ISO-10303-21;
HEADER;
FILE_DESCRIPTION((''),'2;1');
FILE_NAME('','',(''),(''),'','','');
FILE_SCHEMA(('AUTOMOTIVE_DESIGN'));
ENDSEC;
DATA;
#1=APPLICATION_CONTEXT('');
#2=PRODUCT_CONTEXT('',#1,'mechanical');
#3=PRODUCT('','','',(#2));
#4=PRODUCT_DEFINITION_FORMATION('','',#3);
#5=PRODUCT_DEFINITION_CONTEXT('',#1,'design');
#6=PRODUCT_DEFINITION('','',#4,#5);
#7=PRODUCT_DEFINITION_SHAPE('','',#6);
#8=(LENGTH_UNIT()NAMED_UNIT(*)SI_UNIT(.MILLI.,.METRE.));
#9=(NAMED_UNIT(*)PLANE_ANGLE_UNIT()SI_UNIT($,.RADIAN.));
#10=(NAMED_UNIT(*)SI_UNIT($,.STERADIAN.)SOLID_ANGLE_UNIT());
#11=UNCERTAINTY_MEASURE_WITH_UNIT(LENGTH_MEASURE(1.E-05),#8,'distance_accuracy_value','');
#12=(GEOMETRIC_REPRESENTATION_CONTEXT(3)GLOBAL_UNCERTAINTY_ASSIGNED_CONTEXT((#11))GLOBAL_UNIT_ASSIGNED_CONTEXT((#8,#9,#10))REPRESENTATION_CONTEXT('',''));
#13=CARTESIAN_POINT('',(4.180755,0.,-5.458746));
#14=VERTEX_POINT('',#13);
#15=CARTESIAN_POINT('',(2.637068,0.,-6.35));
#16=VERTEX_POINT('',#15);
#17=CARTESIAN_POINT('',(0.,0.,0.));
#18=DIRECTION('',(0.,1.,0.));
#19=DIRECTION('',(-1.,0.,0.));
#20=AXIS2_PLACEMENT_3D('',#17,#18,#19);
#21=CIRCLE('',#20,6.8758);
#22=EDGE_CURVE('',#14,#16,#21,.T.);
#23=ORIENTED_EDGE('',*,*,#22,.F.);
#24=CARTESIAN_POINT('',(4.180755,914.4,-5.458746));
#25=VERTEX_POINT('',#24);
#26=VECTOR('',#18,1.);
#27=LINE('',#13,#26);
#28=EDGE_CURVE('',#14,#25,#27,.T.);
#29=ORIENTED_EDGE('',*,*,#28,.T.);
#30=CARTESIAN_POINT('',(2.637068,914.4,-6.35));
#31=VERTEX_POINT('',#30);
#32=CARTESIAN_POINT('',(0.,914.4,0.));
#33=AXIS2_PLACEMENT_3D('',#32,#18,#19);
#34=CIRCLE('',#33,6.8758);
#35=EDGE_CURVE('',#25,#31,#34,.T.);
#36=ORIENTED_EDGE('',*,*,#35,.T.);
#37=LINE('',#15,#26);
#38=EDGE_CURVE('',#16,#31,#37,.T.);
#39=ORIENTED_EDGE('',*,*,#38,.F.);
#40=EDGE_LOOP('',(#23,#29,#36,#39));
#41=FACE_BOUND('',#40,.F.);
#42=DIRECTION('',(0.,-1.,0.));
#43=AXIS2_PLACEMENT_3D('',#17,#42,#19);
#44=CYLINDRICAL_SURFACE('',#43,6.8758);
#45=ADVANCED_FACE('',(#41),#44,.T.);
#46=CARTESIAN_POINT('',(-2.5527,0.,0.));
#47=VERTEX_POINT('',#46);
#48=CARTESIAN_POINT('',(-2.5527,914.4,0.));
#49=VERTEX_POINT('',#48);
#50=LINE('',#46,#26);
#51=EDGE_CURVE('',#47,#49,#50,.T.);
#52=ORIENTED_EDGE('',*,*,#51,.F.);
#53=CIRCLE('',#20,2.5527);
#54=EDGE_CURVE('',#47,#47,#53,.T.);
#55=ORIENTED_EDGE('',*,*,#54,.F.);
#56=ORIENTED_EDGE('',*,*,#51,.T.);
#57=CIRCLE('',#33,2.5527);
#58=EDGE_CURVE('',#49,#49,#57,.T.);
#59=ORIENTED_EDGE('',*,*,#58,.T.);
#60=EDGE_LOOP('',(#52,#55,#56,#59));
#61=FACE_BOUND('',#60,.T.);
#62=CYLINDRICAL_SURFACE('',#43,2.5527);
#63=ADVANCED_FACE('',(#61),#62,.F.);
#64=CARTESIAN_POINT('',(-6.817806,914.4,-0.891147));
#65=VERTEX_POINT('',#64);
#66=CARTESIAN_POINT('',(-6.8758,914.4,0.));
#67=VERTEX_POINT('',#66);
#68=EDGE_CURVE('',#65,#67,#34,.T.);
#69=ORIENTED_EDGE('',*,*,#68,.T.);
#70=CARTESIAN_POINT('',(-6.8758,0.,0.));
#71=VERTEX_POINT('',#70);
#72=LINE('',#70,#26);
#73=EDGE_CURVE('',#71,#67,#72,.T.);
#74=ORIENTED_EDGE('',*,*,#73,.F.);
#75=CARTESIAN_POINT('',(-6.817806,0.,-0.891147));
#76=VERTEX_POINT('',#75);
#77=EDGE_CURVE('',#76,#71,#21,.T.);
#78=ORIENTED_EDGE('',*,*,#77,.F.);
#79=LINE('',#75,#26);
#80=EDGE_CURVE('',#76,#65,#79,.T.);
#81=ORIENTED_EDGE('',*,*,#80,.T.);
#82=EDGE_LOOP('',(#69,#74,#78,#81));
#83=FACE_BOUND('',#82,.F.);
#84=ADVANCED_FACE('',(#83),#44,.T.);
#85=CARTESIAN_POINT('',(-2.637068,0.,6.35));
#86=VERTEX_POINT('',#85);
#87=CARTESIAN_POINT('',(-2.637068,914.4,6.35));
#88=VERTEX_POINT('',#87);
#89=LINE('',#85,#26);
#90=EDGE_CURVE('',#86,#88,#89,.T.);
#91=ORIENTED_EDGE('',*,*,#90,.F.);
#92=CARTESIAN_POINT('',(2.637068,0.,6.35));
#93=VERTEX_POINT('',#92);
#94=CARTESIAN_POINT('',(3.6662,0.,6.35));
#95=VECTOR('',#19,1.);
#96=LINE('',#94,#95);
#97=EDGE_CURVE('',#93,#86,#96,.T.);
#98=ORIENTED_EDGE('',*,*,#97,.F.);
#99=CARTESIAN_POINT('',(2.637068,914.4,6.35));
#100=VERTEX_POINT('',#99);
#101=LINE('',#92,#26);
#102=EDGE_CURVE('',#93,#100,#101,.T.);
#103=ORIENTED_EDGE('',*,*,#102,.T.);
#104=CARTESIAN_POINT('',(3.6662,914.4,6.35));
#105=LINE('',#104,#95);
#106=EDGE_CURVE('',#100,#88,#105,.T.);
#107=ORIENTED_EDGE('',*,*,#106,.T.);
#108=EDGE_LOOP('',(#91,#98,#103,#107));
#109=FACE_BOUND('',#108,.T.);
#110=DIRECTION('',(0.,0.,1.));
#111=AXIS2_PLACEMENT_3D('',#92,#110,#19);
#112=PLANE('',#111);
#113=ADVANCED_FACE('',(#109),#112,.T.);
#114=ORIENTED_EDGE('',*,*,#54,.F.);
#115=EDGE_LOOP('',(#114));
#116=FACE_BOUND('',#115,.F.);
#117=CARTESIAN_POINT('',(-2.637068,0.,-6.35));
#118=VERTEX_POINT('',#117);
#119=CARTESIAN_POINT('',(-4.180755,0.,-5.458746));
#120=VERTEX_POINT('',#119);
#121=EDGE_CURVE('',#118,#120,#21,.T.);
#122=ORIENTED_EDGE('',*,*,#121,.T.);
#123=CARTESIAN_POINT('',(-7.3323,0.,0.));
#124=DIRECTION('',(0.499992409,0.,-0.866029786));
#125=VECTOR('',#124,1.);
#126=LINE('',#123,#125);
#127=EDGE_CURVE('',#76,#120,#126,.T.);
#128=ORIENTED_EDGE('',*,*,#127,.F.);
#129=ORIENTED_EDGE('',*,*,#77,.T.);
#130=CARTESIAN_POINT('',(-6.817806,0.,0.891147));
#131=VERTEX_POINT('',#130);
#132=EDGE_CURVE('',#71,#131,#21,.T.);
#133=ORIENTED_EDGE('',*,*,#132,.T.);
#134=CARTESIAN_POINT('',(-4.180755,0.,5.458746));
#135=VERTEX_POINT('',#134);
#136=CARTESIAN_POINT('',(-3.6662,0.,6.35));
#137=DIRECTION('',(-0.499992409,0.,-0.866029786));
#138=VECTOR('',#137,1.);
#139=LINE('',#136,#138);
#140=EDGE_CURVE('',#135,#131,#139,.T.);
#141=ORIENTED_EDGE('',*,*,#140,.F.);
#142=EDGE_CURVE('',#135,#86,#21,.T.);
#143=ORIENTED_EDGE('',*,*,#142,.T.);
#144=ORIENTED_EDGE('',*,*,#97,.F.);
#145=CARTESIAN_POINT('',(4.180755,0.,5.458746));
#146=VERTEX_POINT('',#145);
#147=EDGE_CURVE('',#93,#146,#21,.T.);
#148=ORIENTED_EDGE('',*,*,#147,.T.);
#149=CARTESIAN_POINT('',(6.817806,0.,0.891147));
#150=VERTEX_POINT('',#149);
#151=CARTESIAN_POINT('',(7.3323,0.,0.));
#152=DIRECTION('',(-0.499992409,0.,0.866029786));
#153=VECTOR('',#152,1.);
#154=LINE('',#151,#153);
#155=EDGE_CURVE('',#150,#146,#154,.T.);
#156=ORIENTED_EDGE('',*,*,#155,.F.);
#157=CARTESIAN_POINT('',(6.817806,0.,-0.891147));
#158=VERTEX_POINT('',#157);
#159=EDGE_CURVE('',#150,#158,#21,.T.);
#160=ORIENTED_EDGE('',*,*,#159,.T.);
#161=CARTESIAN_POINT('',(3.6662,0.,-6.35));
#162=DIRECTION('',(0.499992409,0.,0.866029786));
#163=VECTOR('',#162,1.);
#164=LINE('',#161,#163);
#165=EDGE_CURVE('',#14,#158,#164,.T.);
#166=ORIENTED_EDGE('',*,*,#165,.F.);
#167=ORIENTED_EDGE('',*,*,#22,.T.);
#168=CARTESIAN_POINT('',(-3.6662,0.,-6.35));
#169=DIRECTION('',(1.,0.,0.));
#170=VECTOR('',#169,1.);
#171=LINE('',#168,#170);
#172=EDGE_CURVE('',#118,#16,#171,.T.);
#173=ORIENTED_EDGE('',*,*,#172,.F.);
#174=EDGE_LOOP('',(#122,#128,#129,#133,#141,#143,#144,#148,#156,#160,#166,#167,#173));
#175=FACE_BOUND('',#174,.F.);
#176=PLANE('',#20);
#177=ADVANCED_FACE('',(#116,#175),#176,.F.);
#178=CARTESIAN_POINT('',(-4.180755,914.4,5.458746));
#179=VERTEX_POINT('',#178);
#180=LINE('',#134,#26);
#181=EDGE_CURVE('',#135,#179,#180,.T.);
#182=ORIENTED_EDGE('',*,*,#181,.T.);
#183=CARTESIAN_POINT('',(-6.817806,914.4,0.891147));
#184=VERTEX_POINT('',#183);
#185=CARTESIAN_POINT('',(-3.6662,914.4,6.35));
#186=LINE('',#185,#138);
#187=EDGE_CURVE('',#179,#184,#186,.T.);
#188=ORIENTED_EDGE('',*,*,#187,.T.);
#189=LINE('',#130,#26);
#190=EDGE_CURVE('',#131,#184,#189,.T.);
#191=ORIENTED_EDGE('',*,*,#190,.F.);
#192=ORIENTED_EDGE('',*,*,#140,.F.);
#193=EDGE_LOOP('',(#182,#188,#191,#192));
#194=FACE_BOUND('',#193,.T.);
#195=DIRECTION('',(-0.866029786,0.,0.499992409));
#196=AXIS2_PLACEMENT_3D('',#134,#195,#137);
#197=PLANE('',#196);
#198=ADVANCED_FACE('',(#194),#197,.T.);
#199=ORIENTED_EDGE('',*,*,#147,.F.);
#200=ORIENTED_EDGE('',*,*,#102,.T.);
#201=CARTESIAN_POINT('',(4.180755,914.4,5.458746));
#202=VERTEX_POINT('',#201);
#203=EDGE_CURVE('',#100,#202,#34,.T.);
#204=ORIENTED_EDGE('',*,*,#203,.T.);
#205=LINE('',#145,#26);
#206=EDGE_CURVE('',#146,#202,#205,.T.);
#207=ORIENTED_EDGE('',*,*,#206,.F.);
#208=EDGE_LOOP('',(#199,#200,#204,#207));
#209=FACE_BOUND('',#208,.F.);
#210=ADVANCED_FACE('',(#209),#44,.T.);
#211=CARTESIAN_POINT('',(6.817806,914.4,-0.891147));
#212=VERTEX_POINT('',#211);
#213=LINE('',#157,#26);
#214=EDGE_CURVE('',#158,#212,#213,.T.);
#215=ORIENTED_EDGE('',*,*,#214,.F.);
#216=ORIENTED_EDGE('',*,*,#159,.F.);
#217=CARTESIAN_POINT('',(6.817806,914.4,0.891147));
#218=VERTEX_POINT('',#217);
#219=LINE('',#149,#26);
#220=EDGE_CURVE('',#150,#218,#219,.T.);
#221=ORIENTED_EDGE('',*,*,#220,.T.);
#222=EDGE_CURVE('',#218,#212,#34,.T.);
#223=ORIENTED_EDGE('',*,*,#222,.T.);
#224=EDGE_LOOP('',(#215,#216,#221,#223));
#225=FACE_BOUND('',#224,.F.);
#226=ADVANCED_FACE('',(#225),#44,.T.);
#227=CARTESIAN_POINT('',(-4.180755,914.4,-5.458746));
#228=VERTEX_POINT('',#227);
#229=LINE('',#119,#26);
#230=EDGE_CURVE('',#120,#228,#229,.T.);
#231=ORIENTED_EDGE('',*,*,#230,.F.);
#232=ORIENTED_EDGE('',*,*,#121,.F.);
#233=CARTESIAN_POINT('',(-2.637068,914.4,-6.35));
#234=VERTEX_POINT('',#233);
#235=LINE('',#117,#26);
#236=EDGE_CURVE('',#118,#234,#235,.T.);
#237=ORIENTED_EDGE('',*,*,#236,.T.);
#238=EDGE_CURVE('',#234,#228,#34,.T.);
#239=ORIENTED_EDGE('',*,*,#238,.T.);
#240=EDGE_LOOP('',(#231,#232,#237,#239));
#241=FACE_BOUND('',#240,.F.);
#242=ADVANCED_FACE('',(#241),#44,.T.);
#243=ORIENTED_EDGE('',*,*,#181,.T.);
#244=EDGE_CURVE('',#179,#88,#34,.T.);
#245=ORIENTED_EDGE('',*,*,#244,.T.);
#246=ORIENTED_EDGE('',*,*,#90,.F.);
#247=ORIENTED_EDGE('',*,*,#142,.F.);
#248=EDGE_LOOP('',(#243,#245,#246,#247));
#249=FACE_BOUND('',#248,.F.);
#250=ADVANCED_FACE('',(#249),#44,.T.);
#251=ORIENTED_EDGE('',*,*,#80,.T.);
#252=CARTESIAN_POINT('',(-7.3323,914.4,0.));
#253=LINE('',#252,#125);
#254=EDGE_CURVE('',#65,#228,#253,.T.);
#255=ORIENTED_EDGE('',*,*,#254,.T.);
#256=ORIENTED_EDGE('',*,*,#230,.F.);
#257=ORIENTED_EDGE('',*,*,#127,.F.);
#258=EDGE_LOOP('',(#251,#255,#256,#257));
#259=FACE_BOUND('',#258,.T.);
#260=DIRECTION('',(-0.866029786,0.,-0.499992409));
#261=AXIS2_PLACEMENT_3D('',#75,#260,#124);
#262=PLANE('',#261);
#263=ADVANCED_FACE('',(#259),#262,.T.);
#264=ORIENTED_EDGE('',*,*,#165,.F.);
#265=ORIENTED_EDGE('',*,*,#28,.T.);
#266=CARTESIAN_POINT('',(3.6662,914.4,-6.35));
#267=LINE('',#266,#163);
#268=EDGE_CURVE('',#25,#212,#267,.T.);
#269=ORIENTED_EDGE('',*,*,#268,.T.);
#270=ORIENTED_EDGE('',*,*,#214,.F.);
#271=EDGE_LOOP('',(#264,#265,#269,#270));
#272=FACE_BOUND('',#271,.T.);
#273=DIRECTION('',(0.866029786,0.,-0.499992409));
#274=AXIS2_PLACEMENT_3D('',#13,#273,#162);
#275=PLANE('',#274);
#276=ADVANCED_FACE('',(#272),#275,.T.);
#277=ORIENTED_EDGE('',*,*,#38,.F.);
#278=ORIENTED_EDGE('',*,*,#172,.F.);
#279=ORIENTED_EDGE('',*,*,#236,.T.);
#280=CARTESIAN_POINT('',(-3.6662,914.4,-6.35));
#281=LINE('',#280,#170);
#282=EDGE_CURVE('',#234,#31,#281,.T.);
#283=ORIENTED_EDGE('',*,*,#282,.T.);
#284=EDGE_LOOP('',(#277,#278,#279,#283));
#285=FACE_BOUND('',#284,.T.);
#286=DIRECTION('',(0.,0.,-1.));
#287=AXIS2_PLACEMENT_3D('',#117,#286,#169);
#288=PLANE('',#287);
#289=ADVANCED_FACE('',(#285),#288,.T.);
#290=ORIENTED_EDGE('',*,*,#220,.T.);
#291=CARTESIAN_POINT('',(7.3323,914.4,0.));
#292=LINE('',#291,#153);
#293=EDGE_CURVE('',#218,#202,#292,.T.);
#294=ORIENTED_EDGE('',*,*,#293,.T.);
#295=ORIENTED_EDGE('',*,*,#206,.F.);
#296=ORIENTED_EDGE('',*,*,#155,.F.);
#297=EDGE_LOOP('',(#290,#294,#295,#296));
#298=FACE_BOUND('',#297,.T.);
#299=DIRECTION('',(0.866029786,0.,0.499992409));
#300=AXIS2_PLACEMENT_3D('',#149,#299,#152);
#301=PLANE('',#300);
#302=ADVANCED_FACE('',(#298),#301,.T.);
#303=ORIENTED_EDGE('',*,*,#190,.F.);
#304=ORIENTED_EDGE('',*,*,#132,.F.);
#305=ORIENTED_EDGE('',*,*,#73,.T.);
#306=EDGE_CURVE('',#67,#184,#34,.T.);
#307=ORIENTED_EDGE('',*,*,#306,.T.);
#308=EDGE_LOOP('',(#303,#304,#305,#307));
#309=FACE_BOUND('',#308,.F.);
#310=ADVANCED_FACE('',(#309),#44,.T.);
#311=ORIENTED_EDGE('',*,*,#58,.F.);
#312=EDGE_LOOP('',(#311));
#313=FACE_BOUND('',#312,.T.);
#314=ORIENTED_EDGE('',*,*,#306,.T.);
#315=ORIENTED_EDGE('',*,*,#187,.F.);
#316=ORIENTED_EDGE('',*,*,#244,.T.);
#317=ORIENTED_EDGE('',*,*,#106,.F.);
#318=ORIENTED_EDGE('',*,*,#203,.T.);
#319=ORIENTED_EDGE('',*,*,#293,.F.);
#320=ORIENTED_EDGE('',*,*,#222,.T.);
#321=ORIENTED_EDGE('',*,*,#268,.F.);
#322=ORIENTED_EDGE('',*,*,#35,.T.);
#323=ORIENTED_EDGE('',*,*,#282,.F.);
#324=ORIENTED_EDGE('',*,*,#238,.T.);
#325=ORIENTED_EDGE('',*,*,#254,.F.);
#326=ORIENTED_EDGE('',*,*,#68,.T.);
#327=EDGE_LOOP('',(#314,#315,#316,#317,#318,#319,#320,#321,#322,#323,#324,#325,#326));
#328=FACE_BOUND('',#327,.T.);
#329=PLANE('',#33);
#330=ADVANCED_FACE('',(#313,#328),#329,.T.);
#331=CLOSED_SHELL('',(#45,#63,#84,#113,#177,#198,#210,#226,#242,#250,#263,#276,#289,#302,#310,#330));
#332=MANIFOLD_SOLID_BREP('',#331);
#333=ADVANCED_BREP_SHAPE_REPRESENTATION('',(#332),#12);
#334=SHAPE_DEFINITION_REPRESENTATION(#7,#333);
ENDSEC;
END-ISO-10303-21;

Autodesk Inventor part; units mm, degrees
ref_plane "YZ Plane" through (0, 0, 0) normal (1, 0, 0) x (0, 1, 0)
ref_plane "XZ Plane" through (0, 0, 0) normal (0, 1, 0) x (-1, 0, 0)
ref_plane "XY Plane" through (0, 0, 0) normal (0, 0, 1) x (1, 0, 0)
sketch "Sketch1" plane through (0, 0, 0) normal (0, 1, 0) x (-1, 0, 0)
  line L0 (7.3323, 0) -> (3.6662, -6.35)
  line L1 (3.6662, -6.35) -> (-3.6662, -6.35)
  line L2 (-3.6662, -6.35) -> (-7.3323, 0)
  line L3 (-7.3323, 0) -> (-3.6662, 6.35)
  line L4 (-3.6662, 6.35) -> (3.6662, 6.35)
  line L5 (3.6662, 6.35) -> (7.3323, 0)
  circle A0 centre (0, 0) radius 2.5527
  circle A1 centre (0, 0) radius 6.8758
  point P0 (2.637, -6.35)
  point P1 (4.1808, -5.4587)
  point P2 (6.8178, -0.8913)
  point P3 (6.8178, 0.8913)
  point P4 (4.1808, 5.4587)
  point P5 (2.637, 6.35)
  point P6 (-2.637, 6.35)
  point P7 (-4.1808, 5.4587)
  point P8 (-6.8178, 0.8913)
  point P9 (-6.8178, -0.8913)
  point P10 (-4.1808, -5.4587)
  point P11 (-2.637, -6.35)
  dimension "d0" = 6.35
  dimension "d1" = 5.1054
  dimension "d2" = 13.7516
extrude "Extrusion1" add sketch "Sketch1" along normal blind 914.4 contours L0 A1 L1 L2 L3 L4 L5
properties part number "thunder hex 36in"
